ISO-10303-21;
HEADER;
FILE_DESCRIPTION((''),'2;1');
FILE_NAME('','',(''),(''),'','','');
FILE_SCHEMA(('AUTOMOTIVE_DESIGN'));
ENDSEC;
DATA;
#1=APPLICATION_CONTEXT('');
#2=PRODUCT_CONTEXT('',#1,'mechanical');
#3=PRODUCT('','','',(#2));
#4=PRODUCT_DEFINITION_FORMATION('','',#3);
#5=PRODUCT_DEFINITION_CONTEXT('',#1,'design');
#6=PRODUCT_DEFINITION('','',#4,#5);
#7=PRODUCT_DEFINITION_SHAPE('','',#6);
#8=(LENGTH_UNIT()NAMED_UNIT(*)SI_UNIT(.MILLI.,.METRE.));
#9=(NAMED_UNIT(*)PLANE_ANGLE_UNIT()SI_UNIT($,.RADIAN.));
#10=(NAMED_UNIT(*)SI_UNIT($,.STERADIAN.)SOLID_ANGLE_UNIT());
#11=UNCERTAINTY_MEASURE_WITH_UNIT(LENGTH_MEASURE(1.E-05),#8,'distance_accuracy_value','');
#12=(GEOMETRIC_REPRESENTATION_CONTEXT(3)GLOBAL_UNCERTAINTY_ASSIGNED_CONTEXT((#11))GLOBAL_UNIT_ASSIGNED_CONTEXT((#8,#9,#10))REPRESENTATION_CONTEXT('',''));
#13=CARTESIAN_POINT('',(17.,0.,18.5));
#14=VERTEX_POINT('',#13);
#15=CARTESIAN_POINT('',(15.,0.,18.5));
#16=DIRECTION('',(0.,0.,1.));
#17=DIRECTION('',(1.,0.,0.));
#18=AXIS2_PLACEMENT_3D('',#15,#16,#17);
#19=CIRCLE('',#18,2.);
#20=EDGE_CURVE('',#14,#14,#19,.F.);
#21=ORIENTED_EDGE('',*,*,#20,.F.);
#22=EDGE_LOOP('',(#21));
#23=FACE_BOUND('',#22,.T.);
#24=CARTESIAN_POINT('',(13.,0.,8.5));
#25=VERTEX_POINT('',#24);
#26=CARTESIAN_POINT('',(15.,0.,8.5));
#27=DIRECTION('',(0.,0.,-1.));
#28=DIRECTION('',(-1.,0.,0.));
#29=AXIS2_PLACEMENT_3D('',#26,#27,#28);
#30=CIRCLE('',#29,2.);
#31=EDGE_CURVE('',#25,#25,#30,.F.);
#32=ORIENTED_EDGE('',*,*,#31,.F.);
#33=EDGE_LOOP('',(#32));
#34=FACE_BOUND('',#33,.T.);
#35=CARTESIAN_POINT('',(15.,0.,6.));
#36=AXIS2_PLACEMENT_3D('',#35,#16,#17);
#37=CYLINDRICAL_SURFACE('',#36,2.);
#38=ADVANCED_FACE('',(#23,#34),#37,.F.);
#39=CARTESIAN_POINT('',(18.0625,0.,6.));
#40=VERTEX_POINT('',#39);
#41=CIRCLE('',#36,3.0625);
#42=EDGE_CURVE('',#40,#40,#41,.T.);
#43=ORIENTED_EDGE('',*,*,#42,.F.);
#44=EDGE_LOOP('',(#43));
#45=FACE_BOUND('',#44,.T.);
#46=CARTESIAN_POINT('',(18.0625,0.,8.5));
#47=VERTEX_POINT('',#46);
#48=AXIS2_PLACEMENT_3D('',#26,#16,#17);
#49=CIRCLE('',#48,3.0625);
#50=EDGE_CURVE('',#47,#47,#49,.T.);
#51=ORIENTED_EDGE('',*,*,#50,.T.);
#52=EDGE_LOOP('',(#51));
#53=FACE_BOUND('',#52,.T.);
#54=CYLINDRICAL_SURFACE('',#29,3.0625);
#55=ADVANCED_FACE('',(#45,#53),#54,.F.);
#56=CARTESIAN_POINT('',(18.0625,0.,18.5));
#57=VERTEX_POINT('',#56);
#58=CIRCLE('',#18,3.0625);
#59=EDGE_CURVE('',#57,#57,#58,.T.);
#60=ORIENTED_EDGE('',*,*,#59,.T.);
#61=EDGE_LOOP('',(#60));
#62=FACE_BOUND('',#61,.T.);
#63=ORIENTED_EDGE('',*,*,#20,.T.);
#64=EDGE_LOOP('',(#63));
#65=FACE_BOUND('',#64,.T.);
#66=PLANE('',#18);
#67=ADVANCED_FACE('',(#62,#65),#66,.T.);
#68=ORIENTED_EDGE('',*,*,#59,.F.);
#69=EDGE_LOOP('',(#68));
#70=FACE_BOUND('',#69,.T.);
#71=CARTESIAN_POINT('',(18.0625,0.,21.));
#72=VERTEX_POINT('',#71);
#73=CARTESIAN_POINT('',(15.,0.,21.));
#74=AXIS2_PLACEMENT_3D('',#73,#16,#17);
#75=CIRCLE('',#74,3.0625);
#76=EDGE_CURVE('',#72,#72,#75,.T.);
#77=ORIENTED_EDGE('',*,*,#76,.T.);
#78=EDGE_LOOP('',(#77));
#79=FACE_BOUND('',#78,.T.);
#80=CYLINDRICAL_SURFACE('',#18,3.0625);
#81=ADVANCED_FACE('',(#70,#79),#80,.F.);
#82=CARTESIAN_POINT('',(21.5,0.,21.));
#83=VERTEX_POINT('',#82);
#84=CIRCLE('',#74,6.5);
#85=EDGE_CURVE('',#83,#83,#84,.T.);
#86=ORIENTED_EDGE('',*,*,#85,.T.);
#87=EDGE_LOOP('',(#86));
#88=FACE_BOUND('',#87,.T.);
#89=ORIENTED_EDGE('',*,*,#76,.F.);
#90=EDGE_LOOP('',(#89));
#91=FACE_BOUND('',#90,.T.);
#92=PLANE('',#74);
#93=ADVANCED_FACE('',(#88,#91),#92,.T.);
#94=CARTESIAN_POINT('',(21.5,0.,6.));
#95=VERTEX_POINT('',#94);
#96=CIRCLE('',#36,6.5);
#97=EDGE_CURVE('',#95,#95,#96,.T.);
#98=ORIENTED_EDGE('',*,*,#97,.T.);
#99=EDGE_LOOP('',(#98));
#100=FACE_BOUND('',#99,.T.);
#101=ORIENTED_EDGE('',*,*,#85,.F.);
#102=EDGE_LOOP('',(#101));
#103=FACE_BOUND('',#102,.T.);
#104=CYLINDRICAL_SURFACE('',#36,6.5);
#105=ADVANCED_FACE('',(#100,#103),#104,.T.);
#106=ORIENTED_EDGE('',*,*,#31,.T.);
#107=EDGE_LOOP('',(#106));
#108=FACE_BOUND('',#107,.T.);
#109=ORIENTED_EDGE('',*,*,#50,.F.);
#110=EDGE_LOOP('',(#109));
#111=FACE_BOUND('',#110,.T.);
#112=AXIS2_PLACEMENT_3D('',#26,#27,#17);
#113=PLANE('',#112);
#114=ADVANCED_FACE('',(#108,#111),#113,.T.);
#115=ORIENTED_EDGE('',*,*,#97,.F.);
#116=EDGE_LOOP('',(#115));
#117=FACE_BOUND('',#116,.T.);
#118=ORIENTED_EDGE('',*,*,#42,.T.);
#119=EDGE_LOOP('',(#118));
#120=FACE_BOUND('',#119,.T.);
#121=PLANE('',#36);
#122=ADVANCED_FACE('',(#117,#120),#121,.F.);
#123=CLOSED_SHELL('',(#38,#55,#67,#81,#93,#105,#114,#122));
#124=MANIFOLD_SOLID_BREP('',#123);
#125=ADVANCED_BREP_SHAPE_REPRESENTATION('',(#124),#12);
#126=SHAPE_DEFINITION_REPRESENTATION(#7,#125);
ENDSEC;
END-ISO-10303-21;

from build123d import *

# Parameters (mm, degrees)
BOSS_EXTRUDE1_DEPTH      = 7.5
BOSS_EXTRUDE1_DEPTH_BACK = 7.5
SKETCH1_R                = 6.5
SKETCH1_R_2              = 2
SKETCH2_R                = 3.0625
CUT_EXTRUDE1_DEPTH       = 2.5


with BuildPart() as part:
    # Sketch1 → Boss-Extrude1 (new, two sides: drawn at the far end of the back side and taken through both)
    with BuildSketch(Plane.XY.offset(13.5).offset(-BOSS_EXTRUDE1_DEPTH_BACK)):
        with Locations((15, 0)):
            Circle(SKETCH1_R)
        with Locations((15, 0)):
            Circle(SKETCH1_R_2, mode=Mode.SUBTRACT)
    extrude(amount=BOSS_EXTRUDE1_DEPTH + BOSS_EXTRUDE1_DEPTH_BACK)

    # Sketch2 → Cut-Extrude1 (cut)
    with BuildSketch(Plane.XY.offset(21)):
        with Locations((15, 0)):
            Circle(SKETCH2_R)
    cut_extrude1 = extrude(amount=-CUT_EXTRUDE1_DEPTH, mode=Mode.SUBTRACT)

    # Mirror1: Cut-Extrude1 across plane
    add(cut_extrude1.mirror(Plane.XY.offset(13.5)), mode=Mode.SUBTRACT)


solid = part.part
